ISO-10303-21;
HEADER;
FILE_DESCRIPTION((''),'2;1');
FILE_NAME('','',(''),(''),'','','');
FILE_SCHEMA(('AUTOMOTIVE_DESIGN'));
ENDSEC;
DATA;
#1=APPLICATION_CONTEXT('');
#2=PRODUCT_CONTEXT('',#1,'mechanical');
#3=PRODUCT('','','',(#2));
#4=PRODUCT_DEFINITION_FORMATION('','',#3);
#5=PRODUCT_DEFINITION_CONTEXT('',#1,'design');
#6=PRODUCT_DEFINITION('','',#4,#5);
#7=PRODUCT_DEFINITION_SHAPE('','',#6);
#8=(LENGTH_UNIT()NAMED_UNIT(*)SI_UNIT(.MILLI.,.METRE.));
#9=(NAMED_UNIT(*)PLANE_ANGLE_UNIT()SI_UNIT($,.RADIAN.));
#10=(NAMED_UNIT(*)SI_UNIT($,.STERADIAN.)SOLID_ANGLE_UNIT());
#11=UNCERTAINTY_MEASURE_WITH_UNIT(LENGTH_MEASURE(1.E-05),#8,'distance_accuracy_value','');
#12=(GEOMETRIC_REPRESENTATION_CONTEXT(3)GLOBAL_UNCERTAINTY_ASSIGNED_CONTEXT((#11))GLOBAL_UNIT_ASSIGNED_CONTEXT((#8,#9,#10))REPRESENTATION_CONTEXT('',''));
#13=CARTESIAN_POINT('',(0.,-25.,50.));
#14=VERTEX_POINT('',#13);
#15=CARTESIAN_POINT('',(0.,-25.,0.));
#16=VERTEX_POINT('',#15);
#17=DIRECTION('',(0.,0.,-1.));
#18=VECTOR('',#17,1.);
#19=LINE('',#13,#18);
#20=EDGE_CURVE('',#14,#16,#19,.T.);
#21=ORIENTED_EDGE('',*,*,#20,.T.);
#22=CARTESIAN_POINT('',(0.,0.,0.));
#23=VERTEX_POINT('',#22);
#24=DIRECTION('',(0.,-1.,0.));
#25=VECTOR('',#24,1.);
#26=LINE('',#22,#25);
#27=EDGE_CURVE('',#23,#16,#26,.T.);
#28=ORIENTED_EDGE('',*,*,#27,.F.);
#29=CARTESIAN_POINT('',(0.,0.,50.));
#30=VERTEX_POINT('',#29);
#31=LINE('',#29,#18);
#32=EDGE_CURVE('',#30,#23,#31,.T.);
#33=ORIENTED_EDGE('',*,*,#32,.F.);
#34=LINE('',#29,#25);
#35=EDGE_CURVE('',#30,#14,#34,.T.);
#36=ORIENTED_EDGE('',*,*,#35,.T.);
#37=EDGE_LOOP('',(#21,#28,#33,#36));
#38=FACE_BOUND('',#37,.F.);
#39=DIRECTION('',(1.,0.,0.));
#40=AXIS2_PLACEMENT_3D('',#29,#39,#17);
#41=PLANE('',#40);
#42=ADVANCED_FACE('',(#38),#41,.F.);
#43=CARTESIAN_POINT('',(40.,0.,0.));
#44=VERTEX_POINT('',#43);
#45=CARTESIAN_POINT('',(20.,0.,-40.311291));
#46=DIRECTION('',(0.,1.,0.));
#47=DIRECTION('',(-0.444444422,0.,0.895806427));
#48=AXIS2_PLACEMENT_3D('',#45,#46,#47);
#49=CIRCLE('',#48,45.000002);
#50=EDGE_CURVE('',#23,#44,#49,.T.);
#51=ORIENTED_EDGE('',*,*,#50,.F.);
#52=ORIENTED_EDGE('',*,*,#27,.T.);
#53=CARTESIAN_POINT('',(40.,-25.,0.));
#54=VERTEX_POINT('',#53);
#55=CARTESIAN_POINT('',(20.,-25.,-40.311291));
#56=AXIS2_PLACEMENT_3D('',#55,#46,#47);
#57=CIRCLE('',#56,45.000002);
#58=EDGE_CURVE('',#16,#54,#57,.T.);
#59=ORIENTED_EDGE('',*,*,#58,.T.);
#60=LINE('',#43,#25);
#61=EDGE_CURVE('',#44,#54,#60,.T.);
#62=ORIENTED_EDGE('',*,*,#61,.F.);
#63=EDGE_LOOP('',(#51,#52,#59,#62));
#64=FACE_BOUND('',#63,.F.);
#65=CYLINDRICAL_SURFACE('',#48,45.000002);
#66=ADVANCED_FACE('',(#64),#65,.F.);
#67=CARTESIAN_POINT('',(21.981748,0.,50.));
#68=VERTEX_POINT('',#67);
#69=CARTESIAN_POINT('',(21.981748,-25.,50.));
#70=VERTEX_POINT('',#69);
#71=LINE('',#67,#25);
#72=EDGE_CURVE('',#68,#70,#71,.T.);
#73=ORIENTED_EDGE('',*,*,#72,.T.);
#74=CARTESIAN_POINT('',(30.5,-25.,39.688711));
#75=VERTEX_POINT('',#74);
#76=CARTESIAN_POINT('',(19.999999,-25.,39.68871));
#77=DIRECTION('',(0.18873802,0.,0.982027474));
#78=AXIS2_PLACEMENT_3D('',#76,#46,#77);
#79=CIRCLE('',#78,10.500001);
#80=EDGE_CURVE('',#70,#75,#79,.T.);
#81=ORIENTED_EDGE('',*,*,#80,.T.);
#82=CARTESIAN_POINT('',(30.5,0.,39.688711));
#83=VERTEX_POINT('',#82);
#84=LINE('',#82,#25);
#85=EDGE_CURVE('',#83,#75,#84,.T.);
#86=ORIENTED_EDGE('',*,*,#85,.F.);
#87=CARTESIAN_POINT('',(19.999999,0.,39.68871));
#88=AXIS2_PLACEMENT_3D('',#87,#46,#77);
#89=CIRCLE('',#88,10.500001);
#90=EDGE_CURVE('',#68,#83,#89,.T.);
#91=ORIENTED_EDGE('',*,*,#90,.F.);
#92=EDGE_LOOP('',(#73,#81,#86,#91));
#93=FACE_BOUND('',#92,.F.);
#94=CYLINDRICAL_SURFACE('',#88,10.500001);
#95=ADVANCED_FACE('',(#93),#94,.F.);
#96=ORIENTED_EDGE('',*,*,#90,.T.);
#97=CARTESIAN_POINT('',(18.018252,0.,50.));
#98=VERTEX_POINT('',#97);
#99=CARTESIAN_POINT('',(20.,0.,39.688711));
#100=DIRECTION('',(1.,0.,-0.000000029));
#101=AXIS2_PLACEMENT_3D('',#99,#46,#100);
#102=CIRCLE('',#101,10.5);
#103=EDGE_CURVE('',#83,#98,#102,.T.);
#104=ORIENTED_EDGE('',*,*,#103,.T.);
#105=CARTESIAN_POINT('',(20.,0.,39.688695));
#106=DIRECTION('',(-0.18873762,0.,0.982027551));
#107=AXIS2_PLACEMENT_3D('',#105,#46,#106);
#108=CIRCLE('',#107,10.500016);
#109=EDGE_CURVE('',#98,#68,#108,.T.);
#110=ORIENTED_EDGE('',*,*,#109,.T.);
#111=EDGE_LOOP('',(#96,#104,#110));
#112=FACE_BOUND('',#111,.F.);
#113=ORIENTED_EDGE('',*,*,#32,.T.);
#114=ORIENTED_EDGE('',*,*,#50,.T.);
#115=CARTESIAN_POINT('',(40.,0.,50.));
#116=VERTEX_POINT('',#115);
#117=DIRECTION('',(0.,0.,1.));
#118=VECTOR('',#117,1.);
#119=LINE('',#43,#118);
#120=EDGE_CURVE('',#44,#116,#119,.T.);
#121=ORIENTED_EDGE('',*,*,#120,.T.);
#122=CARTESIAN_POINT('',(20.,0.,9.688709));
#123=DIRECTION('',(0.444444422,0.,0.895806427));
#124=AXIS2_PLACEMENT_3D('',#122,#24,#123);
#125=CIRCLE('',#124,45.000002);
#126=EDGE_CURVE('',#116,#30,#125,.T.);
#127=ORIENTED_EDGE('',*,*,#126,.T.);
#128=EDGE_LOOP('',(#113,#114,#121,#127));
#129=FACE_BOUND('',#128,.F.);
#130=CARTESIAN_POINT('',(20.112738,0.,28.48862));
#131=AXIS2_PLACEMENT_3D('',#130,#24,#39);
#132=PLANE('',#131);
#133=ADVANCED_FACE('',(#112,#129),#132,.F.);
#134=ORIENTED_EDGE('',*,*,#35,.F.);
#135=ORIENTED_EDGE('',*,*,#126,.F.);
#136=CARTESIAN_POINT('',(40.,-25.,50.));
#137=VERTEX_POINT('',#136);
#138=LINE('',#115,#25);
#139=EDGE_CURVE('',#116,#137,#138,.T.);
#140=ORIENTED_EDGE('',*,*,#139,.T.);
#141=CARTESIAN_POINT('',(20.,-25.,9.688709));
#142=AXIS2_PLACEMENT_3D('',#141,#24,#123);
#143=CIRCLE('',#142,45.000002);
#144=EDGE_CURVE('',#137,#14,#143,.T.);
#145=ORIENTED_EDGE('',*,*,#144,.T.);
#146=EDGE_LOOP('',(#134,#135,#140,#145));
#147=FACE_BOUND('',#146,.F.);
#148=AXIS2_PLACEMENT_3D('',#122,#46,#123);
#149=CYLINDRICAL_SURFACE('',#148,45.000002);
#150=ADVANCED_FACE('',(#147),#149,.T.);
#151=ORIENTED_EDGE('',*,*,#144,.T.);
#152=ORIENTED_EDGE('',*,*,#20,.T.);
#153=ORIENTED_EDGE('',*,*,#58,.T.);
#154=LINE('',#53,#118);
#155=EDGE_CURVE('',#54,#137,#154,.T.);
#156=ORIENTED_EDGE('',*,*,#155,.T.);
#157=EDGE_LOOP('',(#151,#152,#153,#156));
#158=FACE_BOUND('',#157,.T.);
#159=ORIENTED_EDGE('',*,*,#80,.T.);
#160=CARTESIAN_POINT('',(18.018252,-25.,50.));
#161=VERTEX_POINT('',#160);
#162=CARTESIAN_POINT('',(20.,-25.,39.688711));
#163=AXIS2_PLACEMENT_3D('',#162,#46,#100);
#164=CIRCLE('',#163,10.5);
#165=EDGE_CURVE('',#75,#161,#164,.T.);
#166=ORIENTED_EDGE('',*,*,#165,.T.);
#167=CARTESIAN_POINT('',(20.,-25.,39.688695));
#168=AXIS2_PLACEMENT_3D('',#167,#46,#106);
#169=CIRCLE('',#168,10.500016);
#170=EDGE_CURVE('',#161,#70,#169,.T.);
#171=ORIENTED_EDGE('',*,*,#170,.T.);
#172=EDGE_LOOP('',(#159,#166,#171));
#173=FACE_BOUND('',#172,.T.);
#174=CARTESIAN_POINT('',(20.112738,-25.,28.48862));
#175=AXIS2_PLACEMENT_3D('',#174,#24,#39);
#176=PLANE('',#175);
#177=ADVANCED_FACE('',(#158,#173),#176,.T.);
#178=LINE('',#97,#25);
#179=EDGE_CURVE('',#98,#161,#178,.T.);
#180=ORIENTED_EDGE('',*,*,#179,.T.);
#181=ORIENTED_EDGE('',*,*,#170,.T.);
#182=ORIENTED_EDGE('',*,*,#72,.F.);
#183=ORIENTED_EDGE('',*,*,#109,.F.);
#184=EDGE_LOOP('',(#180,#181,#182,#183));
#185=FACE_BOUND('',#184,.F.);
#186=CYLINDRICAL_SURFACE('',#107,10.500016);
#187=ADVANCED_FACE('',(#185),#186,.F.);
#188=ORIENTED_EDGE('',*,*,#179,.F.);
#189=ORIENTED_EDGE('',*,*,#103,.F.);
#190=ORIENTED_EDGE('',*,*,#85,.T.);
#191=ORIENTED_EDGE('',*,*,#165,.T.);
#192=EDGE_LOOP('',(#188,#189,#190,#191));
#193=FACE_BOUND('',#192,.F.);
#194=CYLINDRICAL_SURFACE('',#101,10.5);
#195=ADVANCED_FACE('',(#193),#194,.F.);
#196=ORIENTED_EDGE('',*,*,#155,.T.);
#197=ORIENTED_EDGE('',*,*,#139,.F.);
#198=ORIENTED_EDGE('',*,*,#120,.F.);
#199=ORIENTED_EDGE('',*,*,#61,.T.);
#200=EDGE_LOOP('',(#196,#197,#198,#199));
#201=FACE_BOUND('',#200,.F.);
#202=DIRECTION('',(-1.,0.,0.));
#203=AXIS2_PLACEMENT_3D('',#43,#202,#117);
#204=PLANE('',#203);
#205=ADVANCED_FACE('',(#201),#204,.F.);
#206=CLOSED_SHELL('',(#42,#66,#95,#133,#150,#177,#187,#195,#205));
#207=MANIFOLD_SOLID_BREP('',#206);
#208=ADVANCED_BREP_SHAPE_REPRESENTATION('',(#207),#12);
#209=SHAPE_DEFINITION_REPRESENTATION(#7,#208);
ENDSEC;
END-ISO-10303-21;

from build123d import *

# Parameters (mm, degrees)
F1_DEPTH = 25


with BuildPart() as f1:
    # F0 (on Front) → F1 (new body)
    with BuildSketch(Plane.XZ):
        with BuildLine():
            Line((0, 50), (0, 0))
            ThreePointArc((0, 0), (20, 4.688711), (40, 0))
            Line((40, 0), (40, 50))
            Line((40, 50), (21.981748, 50))
            ThreePointArc((21.981748, 50), (28.095009, 46.376074), (30.5, 39.688711))
            ThreePointArc((30.5, 39.688711), (13.312637, 31.593702), (18.018252, 50))
            Line((18.018252, 50), (0, 50))
        make_face()
        with BuildLine():
            ThreePointArc((40, 50), (20, 54.688711), (0, 50))
            Line((0, 50), (18.018252, 50))
            ThreePointArc((18.018252, 50), (20, 50.188711), (21.981748, 50))
            Line((21.981748, 50), (40, 50))
        make_face()
    extrude(amount=F1_DEPTH)


solid = f1.part
